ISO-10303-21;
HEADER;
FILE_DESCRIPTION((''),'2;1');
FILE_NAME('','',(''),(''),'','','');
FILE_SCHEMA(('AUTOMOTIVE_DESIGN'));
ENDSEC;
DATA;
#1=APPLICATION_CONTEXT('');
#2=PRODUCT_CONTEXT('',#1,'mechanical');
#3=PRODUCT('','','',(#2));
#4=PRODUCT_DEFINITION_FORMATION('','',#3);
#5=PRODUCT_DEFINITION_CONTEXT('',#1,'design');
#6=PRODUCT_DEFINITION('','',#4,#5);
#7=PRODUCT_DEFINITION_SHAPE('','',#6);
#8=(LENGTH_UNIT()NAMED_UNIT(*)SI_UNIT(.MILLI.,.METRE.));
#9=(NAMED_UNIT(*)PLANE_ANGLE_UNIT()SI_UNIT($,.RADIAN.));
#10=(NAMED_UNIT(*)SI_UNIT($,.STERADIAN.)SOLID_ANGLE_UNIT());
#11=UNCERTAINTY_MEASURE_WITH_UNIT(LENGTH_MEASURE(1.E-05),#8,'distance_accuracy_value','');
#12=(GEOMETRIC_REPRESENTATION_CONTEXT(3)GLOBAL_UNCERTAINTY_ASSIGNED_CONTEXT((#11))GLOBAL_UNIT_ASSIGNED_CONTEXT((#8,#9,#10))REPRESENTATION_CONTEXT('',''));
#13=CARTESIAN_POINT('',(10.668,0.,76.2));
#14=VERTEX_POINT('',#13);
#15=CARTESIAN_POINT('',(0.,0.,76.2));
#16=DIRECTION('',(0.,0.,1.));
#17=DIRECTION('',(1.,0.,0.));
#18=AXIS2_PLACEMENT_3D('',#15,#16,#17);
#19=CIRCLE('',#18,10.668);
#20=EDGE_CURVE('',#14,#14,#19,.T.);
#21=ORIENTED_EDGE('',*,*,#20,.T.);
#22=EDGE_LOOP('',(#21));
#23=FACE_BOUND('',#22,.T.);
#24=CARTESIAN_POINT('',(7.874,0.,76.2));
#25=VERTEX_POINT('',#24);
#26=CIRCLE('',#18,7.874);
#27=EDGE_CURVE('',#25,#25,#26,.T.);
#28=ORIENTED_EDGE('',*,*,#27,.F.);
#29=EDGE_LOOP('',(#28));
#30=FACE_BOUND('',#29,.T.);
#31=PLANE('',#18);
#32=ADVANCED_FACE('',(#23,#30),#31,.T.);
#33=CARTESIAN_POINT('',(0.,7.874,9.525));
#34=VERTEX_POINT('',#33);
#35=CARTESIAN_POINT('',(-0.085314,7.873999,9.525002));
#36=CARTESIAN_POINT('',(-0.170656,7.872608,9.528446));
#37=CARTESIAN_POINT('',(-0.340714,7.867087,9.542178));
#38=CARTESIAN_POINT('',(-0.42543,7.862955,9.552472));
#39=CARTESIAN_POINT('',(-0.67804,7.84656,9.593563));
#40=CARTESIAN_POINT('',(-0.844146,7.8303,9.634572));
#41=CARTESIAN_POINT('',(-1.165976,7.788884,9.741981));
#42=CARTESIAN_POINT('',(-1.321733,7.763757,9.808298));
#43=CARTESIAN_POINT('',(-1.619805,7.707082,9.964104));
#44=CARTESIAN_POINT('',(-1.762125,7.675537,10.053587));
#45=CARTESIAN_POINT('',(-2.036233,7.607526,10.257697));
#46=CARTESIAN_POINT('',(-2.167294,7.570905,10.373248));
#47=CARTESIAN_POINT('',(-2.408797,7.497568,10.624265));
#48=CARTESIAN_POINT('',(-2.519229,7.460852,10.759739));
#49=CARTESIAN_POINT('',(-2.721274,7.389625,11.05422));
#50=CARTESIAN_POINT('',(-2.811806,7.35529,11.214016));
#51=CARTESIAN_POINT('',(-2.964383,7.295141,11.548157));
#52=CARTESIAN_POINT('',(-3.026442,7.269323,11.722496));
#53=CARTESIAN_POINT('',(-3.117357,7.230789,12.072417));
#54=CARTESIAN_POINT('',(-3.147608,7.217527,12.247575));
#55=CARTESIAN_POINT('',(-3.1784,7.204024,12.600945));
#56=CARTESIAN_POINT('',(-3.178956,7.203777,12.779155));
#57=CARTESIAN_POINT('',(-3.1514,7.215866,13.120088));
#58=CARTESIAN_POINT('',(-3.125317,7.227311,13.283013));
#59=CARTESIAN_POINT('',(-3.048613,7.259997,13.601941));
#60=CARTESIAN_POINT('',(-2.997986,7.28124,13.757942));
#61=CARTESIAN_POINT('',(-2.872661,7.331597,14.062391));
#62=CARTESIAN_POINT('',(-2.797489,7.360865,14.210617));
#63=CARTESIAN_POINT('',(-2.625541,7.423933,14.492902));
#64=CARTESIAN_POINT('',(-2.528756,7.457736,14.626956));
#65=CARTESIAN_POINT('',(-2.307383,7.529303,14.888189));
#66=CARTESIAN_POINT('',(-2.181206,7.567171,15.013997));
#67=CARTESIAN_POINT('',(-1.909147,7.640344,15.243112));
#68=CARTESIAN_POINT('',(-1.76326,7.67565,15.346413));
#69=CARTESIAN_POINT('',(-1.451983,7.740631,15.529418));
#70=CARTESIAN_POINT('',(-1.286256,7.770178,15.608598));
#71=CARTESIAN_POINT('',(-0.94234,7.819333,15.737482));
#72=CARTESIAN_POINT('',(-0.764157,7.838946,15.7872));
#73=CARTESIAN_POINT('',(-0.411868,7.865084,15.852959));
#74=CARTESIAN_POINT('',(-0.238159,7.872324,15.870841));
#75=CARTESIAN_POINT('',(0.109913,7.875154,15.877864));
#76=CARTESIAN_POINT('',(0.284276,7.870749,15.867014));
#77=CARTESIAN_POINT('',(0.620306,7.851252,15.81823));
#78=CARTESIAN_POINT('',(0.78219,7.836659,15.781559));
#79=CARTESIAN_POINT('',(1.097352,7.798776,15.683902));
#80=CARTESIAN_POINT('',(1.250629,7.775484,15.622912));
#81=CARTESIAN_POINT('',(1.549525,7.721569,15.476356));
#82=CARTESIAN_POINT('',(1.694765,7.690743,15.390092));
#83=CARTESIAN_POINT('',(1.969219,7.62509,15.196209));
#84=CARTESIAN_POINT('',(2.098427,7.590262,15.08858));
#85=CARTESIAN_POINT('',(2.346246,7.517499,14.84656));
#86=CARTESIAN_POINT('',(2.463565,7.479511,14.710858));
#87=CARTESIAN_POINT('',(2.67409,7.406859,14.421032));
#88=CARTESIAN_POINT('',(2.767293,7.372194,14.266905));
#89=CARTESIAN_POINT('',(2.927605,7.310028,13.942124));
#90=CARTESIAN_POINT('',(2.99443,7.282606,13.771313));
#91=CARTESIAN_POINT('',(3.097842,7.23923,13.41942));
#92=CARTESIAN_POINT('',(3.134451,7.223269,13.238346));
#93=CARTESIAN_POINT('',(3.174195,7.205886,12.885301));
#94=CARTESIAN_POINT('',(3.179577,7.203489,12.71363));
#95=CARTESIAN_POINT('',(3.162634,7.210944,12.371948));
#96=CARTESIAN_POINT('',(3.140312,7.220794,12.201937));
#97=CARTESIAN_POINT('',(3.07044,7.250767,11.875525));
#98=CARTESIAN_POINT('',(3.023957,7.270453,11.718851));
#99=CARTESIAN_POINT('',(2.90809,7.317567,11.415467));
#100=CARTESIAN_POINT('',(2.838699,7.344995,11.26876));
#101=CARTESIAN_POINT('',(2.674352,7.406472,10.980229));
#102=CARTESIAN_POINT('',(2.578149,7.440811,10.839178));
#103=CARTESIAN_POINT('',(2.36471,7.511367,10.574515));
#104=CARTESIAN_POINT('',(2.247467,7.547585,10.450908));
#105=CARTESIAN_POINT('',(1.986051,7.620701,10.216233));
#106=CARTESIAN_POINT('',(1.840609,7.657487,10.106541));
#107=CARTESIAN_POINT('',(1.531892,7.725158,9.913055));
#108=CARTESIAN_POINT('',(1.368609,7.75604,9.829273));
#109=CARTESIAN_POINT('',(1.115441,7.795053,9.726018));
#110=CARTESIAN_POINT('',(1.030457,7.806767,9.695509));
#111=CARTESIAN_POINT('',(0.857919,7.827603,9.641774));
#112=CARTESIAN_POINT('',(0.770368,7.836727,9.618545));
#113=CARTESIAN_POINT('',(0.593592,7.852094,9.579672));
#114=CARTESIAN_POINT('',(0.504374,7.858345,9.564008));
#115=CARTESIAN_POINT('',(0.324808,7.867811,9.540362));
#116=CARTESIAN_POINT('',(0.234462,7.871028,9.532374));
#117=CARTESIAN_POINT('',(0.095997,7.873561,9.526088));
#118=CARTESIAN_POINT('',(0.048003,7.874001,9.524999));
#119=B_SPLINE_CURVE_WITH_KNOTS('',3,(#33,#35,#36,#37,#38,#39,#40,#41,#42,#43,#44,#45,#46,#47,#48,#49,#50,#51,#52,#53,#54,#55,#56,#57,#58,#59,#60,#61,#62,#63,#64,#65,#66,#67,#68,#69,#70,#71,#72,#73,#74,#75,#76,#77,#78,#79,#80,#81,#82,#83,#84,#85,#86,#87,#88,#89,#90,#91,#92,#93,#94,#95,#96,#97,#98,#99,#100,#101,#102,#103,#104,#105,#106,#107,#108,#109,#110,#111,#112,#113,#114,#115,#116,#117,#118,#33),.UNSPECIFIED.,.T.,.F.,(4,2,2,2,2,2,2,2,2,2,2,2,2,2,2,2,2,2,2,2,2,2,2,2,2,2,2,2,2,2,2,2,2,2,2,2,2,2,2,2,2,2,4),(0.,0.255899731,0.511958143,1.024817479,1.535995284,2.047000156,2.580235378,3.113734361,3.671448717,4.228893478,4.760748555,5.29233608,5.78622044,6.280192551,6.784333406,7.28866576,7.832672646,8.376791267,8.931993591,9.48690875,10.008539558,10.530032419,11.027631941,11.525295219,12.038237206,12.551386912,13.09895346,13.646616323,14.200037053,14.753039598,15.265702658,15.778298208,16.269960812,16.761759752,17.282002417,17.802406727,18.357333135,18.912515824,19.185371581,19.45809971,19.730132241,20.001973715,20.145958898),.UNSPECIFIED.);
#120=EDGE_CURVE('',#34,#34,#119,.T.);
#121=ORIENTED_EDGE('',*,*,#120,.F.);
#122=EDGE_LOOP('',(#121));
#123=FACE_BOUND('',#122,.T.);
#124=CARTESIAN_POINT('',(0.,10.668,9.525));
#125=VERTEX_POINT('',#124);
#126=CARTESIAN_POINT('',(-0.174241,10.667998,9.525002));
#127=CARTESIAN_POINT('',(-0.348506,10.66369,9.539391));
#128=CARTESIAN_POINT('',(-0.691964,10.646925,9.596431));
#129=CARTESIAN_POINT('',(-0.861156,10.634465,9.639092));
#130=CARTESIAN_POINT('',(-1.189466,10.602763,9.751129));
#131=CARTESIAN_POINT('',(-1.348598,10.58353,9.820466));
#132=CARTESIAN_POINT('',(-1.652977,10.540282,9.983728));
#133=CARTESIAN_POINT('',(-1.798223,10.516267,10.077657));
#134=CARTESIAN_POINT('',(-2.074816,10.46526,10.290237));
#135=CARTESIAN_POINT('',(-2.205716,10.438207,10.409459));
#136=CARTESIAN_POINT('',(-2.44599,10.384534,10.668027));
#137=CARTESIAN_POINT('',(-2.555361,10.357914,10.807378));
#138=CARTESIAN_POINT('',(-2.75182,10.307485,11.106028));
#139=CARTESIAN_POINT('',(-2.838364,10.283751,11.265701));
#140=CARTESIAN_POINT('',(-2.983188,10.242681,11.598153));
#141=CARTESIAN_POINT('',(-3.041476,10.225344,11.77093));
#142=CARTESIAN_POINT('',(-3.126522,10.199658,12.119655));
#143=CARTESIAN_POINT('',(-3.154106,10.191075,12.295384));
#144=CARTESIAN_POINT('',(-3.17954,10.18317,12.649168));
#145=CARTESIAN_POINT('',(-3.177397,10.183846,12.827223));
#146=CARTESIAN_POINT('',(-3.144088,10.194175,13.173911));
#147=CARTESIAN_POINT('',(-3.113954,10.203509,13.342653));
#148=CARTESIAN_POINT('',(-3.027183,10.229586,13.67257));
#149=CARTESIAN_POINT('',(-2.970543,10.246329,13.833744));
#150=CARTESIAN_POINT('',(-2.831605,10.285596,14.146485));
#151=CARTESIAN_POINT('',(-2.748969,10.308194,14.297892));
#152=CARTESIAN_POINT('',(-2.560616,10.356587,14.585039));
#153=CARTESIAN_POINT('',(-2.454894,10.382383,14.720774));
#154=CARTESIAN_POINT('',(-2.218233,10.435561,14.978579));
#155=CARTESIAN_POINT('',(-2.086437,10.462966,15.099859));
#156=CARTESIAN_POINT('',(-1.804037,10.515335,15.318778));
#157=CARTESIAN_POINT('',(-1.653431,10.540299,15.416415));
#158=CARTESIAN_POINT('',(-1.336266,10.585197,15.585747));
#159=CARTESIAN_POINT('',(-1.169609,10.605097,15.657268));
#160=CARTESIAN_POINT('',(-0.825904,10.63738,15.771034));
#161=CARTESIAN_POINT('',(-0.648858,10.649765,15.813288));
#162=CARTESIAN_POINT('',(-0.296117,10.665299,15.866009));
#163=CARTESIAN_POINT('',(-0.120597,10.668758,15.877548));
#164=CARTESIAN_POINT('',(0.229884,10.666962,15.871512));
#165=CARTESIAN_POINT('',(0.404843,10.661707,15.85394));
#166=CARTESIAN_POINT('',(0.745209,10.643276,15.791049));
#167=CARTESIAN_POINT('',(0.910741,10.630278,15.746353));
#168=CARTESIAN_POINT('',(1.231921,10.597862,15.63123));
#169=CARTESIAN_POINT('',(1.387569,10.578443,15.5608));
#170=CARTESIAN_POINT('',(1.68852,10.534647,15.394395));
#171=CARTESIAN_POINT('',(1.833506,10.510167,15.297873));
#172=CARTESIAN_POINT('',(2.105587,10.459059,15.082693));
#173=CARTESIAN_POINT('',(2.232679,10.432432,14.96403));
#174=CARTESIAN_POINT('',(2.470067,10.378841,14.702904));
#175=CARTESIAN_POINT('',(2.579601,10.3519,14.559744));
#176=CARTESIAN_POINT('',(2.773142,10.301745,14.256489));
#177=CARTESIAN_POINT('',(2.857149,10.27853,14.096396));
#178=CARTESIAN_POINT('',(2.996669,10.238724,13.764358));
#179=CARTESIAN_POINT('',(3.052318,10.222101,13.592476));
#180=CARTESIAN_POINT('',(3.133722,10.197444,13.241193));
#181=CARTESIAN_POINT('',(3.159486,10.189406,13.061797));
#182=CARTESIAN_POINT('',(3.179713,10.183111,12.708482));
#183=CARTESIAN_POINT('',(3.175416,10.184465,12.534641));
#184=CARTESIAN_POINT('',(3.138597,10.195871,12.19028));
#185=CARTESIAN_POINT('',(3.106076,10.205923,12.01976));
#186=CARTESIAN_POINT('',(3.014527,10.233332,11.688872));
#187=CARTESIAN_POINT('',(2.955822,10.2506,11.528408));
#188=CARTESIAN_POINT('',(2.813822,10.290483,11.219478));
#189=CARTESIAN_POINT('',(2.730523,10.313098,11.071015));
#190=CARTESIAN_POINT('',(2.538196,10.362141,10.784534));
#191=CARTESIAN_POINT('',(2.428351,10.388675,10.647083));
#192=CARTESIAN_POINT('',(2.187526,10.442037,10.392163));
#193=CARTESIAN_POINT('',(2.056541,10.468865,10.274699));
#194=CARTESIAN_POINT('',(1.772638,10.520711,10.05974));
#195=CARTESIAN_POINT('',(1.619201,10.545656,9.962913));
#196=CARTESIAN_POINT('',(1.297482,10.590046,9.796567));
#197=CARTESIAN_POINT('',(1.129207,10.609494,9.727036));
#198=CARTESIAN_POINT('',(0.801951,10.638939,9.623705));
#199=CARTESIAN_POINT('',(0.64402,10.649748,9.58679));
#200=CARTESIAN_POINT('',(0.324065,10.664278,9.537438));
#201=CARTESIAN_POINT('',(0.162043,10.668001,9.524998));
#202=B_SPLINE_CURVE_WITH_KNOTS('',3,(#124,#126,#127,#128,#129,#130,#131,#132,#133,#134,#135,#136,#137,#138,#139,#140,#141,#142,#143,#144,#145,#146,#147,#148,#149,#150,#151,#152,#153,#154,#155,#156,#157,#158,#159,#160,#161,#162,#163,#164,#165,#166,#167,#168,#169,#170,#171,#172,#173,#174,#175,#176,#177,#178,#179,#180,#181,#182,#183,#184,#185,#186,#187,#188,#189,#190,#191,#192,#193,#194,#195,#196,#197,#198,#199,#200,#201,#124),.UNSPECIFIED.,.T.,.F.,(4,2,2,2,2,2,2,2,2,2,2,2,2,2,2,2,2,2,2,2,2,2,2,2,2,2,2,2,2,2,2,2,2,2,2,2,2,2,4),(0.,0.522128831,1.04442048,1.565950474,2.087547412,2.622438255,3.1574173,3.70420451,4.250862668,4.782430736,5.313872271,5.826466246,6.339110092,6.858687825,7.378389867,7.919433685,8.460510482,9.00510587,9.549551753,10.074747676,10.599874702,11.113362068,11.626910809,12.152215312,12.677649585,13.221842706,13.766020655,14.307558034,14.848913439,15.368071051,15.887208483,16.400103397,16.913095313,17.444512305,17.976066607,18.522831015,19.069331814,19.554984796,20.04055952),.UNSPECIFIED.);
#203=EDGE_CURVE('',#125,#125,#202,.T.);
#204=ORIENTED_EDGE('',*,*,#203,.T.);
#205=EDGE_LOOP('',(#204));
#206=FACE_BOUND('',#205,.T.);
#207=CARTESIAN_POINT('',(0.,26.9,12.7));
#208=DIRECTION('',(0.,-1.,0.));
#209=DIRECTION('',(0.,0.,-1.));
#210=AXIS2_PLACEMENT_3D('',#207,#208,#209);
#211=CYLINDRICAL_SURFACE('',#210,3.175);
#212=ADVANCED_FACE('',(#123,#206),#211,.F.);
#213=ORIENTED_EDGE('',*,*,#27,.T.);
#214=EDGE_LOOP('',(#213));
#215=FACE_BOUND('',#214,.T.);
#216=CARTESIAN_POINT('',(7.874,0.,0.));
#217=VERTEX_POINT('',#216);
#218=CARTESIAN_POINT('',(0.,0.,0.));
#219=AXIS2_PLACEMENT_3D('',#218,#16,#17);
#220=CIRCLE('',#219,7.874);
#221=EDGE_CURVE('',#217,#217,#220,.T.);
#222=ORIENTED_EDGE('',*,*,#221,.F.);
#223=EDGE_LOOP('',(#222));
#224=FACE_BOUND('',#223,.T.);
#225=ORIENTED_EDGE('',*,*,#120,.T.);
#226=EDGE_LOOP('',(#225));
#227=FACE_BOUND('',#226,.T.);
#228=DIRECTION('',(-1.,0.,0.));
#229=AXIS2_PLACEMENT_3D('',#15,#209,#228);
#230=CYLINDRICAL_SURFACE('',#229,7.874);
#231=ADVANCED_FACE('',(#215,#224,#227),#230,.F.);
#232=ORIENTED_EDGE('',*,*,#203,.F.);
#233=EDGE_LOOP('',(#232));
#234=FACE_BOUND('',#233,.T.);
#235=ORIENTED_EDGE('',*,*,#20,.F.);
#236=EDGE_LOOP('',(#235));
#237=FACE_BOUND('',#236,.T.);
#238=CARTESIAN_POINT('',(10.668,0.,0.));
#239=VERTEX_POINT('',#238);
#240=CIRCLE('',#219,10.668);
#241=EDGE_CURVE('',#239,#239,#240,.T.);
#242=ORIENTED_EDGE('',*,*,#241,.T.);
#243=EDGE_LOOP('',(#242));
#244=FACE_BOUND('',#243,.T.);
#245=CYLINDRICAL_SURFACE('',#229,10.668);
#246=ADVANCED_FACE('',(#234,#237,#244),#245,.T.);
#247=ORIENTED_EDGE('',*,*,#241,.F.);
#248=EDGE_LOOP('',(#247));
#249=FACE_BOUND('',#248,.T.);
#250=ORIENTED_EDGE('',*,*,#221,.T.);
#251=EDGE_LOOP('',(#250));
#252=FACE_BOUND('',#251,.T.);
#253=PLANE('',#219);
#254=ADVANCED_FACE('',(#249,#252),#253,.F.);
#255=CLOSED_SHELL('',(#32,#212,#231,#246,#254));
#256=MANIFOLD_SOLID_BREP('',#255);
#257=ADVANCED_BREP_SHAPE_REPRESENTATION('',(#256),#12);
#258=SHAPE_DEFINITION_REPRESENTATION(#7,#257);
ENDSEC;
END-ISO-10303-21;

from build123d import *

# Parameters (mm, degrees)
SKETCH1_R           = 10.668
SKETCH1_R_2         = 7.874
BOSS_EXTRUDE1_DEPTH = 76.2
SKETCH3_R           = 3.175
CUT_EXTRUDE1_DEPTH  = 26.9


with BuildPart() as part:
    # Sketch1 → Boss-Extrude1 (new body)
    with BuildSketch(Plane.XY):
        with Locations(Location((0, 0, 0), (0, 0, 180))):
            Circle(SKETCH1_R)
        with Locations(Location((0, 0, 0), (0, 0, 180))):
            Circle(SKETCH1_R_2, mode=Mode.SUBTRACT)
    extrude(amount=BOSS_EXTRUDE1_DEPTH)

    # Sketch3 → Cut-Extrude1 (cut)
    with BuildSketch(Plane(origin=(0, 0, 0), x_dir=(1, 0, 0), z_dir=(0, 1, 0))):
        with Locations(Location((0, -12.7, 0), (0, 0, 90))):
            Circle(SKETCH3_R)
    extrude(amount=CUT_EXTRUDE1_DEPTH, mode=Mode.SUBTRACT)


solid = part.part
